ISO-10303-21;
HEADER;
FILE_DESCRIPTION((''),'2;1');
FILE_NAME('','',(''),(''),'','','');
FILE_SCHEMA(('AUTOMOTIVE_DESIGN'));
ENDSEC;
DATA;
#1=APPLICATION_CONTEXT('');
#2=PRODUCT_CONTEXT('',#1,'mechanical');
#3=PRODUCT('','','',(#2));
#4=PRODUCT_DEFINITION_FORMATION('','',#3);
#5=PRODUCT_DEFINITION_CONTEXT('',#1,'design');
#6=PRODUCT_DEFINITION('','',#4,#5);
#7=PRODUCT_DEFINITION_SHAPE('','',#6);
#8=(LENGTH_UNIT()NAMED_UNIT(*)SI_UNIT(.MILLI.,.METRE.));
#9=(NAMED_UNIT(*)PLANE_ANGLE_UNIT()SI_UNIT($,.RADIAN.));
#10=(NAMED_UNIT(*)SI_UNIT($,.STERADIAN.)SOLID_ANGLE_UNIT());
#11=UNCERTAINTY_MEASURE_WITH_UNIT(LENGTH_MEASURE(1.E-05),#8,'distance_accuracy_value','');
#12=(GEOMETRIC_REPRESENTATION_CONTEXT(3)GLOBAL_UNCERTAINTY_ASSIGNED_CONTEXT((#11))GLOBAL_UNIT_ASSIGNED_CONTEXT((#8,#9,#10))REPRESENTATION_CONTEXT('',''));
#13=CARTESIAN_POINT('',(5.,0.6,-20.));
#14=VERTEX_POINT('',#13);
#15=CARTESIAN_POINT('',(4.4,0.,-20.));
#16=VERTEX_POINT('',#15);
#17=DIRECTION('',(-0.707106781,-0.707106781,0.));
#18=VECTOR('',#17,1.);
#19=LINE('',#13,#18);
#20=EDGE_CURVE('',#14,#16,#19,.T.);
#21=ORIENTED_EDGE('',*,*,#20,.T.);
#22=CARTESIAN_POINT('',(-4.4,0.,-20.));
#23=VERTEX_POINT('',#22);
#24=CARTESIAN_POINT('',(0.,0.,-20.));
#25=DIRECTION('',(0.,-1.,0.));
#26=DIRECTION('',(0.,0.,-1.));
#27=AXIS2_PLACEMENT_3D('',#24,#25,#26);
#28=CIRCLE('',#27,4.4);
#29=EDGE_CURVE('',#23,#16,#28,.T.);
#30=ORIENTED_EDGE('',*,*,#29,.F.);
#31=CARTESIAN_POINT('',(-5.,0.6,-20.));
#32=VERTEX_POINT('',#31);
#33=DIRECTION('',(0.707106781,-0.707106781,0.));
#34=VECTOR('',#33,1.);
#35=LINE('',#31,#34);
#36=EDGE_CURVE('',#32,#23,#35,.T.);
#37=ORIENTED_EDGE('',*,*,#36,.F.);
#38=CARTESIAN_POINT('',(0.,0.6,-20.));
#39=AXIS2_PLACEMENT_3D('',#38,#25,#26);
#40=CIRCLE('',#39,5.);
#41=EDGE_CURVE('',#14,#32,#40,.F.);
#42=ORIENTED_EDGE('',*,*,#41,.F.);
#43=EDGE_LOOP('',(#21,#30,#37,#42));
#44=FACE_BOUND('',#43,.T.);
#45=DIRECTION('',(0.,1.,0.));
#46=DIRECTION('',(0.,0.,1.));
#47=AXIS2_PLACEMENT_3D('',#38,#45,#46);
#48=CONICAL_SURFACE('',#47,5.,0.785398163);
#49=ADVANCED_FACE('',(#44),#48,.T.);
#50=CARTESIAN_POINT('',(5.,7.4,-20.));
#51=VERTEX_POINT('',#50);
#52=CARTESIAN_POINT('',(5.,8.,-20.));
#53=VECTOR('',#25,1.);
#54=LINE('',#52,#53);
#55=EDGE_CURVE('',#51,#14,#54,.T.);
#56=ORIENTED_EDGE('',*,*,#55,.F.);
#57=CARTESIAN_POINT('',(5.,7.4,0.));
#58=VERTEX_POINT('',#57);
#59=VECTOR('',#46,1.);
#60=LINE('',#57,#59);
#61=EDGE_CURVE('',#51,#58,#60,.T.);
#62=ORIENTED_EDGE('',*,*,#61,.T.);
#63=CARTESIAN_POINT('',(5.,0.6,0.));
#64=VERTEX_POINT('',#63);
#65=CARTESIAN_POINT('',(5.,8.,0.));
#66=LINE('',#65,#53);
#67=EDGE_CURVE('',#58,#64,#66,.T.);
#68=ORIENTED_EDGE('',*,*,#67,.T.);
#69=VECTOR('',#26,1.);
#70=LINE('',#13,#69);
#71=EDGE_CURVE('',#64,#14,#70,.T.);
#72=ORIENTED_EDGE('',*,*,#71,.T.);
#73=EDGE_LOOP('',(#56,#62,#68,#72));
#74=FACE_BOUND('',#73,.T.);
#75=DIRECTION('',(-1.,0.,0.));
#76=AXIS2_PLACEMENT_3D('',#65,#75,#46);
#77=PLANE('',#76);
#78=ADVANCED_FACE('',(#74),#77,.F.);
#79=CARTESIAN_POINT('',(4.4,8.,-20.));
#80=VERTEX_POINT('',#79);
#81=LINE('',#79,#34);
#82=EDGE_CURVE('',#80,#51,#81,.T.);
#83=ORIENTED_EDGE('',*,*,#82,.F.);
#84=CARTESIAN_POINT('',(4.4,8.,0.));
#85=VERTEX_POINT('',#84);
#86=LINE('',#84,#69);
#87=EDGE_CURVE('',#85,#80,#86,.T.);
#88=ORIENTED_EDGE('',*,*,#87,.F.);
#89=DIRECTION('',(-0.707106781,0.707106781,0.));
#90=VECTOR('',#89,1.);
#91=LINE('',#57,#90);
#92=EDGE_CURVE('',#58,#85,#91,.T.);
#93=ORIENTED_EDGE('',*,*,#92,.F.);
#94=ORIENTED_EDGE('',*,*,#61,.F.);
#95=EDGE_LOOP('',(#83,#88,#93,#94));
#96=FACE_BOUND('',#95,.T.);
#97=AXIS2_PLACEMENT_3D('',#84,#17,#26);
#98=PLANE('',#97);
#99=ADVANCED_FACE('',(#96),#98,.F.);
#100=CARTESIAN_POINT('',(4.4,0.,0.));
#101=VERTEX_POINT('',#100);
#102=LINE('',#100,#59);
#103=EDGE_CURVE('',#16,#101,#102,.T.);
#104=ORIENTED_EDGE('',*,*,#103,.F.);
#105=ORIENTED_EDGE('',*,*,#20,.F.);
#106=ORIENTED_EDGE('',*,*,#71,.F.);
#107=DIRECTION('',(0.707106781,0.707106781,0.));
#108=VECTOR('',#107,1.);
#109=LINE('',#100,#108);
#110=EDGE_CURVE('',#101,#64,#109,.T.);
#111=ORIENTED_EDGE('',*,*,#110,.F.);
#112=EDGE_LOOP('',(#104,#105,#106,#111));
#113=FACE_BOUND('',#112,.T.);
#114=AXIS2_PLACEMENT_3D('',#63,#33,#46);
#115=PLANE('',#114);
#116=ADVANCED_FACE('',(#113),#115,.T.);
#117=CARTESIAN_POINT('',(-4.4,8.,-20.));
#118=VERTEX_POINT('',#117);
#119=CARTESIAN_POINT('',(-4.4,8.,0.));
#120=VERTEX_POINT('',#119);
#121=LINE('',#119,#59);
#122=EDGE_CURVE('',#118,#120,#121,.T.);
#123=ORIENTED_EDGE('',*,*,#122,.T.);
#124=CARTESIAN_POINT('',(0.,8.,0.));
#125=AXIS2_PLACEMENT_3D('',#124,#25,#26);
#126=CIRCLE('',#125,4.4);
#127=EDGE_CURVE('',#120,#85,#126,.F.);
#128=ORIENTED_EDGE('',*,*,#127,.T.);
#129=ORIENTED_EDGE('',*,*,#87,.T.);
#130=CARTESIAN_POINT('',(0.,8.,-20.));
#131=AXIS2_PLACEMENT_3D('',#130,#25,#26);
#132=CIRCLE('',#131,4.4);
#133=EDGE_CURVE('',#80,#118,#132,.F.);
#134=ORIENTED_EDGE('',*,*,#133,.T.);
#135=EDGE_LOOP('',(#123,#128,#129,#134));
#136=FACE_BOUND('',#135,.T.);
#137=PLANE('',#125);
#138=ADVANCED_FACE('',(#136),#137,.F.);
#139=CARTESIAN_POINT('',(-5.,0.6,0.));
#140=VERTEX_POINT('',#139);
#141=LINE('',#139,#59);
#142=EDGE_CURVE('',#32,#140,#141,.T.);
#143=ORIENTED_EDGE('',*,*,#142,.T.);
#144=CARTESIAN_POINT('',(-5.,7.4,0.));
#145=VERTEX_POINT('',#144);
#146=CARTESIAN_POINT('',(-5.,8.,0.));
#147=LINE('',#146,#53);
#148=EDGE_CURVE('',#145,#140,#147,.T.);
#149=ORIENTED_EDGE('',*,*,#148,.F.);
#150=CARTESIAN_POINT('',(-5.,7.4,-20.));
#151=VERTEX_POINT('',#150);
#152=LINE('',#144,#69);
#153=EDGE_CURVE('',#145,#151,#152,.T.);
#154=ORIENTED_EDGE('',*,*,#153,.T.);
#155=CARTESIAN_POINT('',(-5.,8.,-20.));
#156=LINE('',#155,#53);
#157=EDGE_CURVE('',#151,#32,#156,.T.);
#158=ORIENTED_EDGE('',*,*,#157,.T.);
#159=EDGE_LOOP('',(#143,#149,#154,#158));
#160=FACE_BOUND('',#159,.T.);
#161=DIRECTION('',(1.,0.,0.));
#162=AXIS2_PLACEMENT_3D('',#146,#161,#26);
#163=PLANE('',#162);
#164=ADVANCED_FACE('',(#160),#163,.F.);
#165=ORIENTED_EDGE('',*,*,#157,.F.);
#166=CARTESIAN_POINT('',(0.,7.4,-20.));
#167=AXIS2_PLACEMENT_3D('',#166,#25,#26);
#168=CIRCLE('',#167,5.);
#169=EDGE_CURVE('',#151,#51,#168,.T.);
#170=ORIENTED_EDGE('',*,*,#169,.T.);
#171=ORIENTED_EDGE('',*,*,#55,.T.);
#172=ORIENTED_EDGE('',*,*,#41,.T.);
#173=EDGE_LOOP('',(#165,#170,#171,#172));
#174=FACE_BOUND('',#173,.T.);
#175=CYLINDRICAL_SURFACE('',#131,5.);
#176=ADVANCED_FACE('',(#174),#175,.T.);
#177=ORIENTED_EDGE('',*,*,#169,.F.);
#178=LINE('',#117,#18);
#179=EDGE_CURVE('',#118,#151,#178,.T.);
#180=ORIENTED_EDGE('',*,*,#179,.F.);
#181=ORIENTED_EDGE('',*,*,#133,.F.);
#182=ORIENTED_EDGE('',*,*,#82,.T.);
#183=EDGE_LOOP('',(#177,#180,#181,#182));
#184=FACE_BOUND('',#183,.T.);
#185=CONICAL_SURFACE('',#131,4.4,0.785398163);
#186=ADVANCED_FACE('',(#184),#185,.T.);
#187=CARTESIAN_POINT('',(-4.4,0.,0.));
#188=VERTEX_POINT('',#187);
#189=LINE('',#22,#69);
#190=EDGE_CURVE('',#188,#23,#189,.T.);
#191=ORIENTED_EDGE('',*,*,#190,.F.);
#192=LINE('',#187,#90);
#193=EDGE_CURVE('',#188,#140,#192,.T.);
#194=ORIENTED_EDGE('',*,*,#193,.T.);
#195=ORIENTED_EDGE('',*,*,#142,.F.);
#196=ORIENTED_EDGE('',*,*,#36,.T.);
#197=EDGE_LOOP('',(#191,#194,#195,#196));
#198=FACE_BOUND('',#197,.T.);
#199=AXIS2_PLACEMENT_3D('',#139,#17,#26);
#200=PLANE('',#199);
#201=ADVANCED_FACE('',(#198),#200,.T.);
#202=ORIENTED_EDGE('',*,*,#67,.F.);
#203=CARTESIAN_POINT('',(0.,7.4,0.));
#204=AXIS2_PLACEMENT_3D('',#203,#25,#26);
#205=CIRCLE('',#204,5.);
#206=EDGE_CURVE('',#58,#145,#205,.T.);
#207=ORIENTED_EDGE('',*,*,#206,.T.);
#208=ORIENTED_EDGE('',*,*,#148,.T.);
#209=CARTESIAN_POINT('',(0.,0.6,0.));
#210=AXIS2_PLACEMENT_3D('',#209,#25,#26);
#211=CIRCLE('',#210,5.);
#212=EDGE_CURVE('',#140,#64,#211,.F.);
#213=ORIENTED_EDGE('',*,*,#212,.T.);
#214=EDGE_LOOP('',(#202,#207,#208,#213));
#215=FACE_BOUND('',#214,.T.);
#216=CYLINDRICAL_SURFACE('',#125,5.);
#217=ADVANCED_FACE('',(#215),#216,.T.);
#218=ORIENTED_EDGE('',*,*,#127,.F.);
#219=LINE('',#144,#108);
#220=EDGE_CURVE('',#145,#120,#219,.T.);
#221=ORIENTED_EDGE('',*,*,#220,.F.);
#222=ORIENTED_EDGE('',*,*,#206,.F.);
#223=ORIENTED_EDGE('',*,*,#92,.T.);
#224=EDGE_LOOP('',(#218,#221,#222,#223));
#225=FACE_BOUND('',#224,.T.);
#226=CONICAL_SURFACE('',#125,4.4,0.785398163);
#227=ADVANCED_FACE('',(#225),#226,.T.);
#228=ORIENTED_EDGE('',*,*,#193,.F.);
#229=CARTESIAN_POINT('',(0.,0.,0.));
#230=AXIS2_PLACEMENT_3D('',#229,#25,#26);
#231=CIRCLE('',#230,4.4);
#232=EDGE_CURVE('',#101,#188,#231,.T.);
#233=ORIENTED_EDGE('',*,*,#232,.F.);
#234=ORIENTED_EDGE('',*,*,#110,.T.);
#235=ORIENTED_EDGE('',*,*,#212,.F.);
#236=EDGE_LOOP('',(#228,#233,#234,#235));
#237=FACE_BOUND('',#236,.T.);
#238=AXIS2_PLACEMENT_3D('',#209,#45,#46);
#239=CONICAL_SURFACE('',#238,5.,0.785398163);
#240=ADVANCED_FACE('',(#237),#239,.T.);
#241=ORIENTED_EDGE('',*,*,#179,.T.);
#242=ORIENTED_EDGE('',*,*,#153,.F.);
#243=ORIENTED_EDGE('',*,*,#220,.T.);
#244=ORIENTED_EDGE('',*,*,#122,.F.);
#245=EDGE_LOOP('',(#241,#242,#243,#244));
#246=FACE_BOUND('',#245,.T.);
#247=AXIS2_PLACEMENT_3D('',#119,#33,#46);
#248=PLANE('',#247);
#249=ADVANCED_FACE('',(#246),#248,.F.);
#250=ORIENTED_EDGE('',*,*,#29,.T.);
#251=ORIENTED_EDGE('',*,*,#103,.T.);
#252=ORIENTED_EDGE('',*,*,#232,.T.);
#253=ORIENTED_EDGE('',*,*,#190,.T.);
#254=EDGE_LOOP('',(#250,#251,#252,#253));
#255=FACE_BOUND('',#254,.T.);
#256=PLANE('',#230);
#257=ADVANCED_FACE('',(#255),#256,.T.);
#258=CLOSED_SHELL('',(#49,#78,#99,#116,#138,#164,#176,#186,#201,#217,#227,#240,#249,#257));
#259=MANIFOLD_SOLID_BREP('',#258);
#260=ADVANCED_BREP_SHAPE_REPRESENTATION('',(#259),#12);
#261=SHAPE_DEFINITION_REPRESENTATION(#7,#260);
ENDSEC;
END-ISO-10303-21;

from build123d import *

# Parameters (mm, degrees)
BOSS_EXTRUDE1_DEPTH = 8
CHAMFER1_SIZE       = 0.6


with BuildPart() as part:
    # Sketch1 → Boss-Extrude1 (new body)
    with BuildSketch(Plane(origin=(0, 0, 0), x_dir=(1, 0, 0), z_dir=(0, 1, 0))):
        with BuildLine():
            Line((5, 0), (5, 20))
            ThreePointArc((5, 20), (0, 25), (-5, 20))
            Line((-5, 20), (-5, 0))
            ThreePointArc((-5, 0), (0, -5), (5, 0))
        make_face()
    extrude(amount=BOSS_EXTRUDE1_DEPTH)

    # Chamfer1
    chamfer1_edges = [part.edges().sort_by_distance(p)[0] for p in [
        (0, 8, -25),
        (-5, 8, -10),
        (0, 8, 5),
        (-5, 0, -10),
        (0, 0, -25),
        (5, 0, -10),
        (0, 0, 5),
        (5, 8, -10),
    ]]
    chamfer(chamfer1_edges, length=CHAMFER1_SIZE)


solid = part.part
